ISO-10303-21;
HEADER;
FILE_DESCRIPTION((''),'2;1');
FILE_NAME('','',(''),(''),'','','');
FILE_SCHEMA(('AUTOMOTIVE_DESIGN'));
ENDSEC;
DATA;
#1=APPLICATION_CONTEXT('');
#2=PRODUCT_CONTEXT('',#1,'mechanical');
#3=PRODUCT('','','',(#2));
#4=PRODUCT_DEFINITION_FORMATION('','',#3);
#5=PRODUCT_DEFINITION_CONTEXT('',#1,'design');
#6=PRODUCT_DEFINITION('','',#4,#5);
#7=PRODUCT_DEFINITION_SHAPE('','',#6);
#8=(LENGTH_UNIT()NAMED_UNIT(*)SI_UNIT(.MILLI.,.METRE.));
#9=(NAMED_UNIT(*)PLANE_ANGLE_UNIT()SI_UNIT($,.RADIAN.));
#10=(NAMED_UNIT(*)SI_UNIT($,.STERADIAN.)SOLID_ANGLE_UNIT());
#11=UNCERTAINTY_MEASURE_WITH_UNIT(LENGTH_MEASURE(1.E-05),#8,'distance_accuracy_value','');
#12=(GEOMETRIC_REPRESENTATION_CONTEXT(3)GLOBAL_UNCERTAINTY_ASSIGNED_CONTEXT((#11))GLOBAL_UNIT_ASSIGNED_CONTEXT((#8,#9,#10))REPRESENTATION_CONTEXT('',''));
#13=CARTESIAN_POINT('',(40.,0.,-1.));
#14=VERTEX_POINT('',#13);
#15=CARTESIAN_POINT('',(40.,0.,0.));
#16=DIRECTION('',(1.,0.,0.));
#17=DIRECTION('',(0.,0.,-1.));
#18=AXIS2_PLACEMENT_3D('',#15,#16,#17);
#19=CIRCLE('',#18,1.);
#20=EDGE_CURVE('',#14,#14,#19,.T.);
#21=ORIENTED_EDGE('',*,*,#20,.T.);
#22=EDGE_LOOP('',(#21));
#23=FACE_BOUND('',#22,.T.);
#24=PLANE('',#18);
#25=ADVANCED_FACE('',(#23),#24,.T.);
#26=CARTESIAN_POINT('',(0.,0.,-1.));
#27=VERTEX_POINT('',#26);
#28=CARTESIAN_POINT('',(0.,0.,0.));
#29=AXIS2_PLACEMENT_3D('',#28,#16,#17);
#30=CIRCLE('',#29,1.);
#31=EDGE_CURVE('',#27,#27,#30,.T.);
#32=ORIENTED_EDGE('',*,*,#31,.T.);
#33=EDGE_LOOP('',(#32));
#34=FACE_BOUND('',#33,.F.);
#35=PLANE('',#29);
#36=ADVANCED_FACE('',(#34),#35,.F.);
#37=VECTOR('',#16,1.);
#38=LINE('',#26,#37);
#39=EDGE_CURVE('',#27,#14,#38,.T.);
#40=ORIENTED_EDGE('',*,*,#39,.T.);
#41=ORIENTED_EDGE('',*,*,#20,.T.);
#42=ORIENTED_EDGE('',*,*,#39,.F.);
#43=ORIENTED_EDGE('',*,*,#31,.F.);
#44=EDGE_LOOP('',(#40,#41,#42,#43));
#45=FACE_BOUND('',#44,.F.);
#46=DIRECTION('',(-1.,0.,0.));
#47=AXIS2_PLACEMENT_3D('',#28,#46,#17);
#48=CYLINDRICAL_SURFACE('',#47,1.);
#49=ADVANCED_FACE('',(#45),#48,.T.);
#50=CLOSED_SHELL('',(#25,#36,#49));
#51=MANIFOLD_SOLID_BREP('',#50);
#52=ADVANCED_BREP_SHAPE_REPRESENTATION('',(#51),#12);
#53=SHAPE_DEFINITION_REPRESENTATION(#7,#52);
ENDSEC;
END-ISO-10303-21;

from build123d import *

# Parameters (mm, degrees)
SKETCH1_R           = 1
BOSS_EXTRUDE1_DEPTH = 40


with BuildPart() as part:
    # Sketch1 → Boss-Extrude1 (new body)
    with BuildSketch(Plane(origin=(0, 0, 0), x_dir=(0, 0, -1), z_dir=(1, 0, 0))):
        Circle(SKETCH1_R)
    extrude(amount=BOSS_EXTRUDE1_DEPTH)


solid = part.part
